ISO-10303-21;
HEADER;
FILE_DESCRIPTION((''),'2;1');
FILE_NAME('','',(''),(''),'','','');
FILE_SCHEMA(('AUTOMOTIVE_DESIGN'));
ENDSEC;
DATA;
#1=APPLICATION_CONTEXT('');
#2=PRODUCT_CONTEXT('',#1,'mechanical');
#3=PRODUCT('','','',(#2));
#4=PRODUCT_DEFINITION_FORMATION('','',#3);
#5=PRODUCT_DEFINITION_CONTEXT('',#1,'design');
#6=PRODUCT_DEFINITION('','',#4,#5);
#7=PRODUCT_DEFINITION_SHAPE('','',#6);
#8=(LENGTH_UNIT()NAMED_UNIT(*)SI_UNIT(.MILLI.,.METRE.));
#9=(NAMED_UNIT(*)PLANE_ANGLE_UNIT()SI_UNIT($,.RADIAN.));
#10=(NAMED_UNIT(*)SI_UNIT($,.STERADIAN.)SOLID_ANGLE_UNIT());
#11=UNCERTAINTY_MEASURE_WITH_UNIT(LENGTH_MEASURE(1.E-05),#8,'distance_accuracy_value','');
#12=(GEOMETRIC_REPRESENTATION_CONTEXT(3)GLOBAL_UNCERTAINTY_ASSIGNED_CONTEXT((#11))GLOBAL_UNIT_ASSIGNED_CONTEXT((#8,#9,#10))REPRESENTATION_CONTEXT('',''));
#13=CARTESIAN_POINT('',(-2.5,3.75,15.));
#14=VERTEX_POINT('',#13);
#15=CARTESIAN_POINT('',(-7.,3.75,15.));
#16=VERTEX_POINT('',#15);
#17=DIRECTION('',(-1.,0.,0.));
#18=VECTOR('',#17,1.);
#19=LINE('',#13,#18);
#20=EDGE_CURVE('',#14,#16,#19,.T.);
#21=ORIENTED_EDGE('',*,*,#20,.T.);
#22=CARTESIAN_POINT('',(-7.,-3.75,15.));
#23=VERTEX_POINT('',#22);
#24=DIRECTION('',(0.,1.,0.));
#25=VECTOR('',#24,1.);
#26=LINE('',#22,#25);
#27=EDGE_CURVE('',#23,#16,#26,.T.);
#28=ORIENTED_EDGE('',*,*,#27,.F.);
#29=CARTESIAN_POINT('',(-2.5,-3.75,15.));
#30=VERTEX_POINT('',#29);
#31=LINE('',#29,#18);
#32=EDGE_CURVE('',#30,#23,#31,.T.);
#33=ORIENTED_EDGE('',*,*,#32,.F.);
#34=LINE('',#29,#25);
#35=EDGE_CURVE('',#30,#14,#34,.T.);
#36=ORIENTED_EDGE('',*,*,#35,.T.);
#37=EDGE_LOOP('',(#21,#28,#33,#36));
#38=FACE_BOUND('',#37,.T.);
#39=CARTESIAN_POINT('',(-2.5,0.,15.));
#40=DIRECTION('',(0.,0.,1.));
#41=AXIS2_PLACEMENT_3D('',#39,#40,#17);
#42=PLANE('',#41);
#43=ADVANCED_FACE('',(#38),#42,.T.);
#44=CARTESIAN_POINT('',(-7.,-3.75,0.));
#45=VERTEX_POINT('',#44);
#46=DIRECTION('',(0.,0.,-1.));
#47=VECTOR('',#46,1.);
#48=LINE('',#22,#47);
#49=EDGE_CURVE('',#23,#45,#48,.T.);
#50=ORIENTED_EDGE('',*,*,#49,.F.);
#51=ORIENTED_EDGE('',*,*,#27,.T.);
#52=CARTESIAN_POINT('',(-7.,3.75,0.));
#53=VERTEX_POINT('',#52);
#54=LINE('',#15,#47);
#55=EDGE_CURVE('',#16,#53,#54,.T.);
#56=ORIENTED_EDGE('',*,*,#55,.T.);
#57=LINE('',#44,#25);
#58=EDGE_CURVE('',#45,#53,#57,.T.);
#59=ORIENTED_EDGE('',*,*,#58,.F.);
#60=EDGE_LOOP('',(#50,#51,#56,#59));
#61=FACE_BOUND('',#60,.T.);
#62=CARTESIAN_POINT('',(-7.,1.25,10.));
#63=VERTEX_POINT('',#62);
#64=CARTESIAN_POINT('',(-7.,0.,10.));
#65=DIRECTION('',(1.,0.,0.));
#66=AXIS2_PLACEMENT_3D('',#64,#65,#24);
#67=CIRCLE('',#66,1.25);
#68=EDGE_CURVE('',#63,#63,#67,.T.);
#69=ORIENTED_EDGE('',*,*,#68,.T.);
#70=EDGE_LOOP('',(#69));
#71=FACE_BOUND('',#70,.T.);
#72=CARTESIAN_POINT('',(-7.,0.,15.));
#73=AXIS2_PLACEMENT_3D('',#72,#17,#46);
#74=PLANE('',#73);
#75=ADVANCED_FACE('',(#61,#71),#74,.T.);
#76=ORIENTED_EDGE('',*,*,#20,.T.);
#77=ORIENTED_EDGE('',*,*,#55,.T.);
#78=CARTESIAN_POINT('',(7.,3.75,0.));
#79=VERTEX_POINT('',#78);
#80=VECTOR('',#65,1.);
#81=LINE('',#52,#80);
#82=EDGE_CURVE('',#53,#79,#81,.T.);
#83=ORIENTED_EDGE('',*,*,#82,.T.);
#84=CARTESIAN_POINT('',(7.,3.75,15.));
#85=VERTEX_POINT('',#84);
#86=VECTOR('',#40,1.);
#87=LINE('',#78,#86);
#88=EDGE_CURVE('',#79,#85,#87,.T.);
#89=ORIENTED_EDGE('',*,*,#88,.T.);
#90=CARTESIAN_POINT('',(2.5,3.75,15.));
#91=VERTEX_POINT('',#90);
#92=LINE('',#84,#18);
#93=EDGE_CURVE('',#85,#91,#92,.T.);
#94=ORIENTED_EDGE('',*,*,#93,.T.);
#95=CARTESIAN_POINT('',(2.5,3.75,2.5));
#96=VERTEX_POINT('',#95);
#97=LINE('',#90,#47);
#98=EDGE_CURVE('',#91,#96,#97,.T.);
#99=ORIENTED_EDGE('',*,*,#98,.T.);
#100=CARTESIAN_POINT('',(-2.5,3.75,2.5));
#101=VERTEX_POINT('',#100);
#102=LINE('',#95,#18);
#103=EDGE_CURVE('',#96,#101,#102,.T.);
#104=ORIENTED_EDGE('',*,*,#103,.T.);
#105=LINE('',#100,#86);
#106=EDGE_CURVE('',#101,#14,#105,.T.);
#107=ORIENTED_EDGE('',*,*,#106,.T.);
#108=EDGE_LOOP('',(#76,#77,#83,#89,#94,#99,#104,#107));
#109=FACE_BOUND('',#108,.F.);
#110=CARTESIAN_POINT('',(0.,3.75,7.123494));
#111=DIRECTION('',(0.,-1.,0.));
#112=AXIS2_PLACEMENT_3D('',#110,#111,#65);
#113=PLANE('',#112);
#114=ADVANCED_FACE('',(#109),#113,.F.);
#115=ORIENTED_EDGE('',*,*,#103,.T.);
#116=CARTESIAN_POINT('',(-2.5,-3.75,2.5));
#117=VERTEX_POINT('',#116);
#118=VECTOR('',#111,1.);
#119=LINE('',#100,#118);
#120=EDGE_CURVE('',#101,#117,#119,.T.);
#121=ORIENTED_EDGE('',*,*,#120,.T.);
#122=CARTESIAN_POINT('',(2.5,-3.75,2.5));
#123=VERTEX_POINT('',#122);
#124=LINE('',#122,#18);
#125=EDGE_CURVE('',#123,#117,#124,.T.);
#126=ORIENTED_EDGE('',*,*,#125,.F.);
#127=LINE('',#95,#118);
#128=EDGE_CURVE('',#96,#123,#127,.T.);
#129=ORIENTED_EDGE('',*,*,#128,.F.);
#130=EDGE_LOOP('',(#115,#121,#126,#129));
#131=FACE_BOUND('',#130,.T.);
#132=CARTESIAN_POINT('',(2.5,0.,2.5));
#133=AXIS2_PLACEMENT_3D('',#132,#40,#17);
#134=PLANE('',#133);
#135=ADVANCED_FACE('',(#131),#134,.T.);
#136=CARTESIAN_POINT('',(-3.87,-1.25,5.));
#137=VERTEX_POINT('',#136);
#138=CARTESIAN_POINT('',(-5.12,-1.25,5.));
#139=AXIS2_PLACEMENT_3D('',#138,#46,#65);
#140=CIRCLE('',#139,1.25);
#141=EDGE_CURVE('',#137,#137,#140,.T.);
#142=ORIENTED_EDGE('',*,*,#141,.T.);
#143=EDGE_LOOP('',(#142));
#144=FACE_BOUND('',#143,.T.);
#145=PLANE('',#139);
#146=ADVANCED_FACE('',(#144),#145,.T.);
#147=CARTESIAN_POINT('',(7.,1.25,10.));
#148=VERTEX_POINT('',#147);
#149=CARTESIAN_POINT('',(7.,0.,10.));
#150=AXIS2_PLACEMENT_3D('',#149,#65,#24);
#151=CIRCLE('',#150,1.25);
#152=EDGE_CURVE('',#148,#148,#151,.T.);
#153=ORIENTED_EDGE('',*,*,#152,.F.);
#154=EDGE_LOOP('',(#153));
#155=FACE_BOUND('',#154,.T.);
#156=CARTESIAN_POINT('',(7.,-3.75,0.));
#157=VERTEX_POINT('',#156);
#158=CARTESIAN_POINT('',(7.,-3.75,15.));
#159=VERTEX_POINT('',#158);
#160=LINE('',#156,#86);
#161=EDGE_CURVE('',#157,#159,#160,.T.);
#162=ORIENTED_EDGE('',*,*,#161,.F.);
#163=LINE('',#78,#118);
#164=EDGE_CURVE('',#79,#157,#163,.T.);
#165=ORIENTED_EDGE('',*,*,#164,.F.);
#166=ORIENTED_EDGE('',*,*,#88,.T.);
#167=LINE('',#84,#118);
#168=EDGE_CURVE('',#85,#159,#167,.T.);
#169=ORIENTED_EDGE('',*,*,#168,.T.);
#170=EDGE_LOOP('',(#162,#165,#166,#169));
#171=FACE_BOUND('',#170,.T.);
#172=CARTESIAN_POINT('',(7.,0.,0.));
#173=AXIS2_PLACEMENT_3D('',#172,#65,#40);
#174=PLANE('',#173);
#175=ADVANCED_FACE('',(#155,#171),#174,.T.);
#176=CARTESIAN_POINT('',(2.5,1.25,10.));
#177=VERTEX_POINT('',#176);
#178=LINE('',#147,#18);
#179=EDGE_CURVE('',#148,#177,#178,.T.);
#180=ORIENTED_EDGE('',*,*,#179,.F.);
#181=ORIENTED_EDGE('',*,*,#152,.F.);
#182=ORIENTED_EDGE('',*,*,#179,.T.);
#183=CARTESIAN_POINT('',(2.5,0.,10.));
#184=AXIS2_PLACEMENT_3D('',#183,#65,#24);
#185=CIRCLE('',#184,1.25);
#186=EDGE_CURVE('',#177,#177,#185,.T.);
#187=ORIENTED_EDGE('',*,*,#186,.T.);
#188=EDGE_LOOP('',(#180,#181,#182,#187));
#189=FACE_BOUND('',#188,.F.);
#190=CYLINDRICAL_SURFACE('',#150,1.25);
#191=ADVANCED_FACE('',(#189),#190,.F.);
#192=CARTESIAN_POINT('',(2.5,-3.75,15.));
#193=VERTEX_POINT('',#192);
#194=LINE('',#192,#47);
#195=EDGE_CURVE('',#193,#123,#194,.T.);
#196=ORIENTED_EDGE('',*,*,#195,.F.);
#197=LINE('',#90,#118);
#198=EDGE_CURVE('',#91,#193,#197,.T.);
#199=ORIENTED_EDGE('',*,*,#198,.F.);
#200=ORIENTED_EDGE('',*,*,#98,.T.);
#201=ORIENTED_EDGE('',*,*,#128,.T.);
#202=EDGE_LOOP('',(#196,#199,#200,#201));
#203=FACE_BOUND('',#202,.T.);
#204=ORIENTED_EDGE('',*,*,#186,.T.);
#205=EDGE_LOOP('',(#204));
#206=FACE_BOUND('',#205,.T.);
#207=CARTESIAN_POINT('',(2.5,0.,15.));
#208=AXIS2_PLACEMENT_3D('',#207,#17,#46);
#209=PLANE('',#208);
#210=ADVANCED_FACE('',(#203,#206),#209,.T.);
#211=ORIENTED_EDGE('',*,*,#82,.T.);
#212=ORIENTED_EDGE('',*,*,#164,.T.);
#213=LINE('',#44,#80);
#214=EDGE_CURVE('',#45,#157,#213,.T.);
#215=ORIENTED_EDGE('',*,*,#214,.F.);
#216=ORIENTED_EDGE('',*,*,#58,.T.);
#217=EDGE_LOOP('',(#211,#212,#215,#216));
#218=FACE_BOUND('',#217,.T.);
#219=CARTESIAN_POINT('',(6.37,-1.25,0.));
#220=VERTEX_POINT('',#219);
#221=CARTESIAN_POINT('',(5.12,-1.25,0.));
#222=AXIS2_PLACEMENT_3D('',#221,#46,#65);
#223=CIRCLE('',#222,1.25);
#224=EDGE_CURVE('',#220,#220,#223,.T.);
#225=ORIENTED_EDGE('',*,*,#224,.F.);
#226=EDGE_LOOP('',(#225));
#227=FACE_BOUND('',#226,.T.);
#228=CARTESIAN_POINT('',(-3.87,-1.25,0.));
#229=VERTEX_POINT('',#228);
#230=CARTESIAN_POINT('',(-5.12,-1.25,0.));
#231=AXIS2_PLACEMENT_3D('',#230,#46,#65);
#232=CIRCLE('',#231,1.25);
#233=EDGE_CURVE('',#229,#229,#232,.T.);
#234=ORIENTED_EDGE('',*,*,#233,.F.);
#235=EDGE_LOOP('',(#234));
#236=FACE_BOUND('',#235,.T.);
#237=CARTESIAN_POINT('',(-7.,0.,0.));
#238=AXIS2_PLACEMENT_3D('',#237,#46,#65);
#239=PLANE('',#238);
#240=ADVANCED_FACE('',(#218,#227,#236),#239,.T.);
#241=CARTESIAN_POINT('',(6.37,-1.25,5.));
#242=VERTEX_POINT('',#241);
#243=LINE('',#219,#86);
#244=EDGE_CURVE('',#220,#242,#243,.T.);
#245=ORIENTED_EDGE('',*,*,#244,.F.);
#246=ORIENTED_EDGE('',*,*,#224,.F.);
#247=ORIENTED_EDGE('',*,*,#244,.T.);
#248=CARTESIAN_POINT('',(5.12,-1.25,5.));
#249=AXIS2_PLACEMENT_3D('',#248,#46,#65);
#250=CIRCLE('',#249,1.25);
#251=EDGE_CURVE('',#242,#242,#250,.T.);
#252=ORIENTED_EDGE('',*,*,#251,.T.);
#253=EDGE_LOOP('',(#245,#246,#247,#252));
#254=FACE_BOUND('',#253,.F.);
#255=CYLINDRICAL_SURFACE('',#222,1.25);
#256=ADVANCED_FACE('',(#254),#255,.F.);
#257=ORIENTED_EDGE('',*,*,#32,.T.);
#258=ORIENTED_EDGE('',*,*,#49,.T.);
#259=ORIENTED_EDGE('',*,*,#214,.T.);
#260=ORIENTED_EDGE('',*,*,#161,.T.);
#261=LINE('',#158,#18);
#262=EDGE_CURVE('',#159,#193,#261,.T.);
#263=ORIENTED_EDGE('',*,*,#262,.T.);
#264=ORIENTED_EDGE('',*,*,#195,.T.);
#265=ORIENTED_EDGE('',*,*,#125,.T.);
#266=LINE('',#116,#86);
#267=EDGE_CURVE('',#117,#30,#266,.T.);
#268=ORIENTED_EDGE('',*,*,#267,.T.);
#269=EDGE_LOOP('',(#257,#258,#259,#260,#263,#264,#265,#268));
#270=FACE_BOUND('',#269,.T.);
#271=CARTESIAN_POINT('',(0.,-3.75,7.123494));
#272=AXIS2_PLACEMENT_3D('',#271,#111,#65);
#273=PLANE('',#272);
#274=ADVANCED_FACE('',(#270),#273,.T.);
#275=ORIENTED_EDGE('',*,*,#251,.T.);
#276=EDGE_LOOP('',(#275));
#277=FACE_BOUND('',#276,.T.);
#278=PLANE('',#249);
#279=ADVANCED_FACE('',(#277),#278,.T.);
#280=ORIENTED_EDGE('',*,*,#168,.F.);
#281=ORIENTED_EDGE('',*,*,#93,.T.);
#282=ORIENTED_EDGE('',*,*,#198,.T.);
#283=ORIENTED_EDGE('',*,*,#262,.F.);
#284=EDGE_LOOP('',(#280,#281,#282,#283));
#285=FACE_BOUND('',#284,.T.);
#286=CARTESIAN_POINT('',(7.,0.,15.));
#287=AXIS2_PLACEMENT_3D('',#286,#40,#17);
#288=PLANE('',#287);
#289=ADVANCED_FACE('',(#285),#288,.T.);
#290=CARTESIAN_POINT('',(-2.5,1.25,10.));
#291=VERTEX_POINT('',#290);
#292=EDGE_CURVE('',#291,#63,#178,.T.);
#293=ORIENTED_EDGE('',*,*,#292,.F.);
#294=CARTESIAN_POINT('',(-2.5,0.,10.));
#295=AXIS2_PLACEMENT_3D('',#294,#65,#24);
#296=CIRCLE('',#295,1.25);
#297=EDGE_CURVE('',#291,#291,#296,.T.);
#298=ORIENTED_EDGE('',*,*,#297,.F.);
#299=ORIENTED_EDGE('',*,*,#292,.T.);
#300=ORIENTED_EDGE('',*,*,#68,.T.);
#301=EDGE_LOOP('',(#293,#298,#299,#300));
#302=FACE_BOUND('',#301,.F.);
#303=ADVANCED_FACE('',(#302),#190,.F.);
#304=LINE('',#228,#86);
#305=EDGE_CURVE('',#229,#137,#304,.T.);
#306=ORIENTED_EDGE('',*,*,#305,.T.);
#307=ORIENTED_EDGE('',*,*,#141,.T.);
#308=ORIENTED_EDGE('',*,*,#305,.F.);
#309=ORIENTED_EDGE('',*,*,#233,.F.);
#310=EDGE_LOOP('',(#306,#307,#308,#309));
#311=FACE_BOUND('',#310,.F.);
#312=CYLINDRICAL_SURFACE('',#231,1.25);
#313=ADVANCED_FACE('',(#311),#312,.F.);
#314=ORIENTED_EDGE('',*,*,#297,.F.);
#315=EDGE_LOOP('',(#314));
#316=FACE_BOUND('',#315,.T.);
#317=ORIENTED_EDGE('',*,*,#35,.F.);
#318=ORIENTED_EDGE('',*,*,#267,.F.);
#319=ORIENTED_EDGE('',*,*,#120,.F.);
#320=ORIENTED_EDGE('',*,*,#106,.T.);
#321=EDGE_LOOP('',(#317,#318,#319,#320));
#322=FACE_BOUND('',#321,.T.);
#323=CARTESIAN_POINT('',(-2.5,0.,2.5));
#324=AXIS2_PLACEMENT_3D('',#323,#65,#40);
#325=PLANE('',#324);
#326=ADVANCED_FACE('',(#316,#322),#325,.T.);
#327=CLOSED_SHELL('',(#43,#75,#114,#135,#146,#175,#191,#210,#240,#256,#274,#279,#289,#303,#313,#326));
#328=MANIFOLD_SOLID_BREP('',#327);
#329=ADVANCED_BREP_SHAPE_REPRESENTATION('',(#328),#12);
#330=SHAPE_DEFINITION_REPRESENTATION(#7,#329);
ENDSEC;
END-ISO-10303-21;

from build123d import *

# Parameters (mm, degrees)
F1_DEPTH = 3.75
F2_R     = 1.25
F3_DEPTH = 25
F4_R     = 1.25
F5_DEPTH = 5


with BuildPart() as f1:
    # F0 (on Front) → F1 (new body, symmetric)
    with BuildSketch(Plane.XZ):
        Polygon((-7, 0), (0, 0), (7, 0), (7, 15), (2.5, 15), (2.5, 2.5), (-2.5, 2.5), (-2.5, 15), (-7, 15), align=None)
    extrude(amount=F1_DEPTH, both=True)

    # F2 (on face) → F3 (cut)
    with BuildSketch(Plane.YZ.offset(7)):
        with Locations((0, 10)):
            Circle(F2_R)
    extrude(amount=-F3_DEPTH, mode=Mode.SUBTRACT)

    # F4 (on face) → F5 (cut)
    with BuildSketch(Plane(origin=(0, 0, 0), x_dir=(1, 0, 0), z_dir=(0, 0, -1))):
        with Locations((5.12, 1.25)):
            Circle(F4_R)
        with Locations((-5.12, 1.25)):
            Circle(F4_R)
    extrude(amount=-F5_DEPTH, mode=Mode.SUBTRACT)


solid = f1.part
